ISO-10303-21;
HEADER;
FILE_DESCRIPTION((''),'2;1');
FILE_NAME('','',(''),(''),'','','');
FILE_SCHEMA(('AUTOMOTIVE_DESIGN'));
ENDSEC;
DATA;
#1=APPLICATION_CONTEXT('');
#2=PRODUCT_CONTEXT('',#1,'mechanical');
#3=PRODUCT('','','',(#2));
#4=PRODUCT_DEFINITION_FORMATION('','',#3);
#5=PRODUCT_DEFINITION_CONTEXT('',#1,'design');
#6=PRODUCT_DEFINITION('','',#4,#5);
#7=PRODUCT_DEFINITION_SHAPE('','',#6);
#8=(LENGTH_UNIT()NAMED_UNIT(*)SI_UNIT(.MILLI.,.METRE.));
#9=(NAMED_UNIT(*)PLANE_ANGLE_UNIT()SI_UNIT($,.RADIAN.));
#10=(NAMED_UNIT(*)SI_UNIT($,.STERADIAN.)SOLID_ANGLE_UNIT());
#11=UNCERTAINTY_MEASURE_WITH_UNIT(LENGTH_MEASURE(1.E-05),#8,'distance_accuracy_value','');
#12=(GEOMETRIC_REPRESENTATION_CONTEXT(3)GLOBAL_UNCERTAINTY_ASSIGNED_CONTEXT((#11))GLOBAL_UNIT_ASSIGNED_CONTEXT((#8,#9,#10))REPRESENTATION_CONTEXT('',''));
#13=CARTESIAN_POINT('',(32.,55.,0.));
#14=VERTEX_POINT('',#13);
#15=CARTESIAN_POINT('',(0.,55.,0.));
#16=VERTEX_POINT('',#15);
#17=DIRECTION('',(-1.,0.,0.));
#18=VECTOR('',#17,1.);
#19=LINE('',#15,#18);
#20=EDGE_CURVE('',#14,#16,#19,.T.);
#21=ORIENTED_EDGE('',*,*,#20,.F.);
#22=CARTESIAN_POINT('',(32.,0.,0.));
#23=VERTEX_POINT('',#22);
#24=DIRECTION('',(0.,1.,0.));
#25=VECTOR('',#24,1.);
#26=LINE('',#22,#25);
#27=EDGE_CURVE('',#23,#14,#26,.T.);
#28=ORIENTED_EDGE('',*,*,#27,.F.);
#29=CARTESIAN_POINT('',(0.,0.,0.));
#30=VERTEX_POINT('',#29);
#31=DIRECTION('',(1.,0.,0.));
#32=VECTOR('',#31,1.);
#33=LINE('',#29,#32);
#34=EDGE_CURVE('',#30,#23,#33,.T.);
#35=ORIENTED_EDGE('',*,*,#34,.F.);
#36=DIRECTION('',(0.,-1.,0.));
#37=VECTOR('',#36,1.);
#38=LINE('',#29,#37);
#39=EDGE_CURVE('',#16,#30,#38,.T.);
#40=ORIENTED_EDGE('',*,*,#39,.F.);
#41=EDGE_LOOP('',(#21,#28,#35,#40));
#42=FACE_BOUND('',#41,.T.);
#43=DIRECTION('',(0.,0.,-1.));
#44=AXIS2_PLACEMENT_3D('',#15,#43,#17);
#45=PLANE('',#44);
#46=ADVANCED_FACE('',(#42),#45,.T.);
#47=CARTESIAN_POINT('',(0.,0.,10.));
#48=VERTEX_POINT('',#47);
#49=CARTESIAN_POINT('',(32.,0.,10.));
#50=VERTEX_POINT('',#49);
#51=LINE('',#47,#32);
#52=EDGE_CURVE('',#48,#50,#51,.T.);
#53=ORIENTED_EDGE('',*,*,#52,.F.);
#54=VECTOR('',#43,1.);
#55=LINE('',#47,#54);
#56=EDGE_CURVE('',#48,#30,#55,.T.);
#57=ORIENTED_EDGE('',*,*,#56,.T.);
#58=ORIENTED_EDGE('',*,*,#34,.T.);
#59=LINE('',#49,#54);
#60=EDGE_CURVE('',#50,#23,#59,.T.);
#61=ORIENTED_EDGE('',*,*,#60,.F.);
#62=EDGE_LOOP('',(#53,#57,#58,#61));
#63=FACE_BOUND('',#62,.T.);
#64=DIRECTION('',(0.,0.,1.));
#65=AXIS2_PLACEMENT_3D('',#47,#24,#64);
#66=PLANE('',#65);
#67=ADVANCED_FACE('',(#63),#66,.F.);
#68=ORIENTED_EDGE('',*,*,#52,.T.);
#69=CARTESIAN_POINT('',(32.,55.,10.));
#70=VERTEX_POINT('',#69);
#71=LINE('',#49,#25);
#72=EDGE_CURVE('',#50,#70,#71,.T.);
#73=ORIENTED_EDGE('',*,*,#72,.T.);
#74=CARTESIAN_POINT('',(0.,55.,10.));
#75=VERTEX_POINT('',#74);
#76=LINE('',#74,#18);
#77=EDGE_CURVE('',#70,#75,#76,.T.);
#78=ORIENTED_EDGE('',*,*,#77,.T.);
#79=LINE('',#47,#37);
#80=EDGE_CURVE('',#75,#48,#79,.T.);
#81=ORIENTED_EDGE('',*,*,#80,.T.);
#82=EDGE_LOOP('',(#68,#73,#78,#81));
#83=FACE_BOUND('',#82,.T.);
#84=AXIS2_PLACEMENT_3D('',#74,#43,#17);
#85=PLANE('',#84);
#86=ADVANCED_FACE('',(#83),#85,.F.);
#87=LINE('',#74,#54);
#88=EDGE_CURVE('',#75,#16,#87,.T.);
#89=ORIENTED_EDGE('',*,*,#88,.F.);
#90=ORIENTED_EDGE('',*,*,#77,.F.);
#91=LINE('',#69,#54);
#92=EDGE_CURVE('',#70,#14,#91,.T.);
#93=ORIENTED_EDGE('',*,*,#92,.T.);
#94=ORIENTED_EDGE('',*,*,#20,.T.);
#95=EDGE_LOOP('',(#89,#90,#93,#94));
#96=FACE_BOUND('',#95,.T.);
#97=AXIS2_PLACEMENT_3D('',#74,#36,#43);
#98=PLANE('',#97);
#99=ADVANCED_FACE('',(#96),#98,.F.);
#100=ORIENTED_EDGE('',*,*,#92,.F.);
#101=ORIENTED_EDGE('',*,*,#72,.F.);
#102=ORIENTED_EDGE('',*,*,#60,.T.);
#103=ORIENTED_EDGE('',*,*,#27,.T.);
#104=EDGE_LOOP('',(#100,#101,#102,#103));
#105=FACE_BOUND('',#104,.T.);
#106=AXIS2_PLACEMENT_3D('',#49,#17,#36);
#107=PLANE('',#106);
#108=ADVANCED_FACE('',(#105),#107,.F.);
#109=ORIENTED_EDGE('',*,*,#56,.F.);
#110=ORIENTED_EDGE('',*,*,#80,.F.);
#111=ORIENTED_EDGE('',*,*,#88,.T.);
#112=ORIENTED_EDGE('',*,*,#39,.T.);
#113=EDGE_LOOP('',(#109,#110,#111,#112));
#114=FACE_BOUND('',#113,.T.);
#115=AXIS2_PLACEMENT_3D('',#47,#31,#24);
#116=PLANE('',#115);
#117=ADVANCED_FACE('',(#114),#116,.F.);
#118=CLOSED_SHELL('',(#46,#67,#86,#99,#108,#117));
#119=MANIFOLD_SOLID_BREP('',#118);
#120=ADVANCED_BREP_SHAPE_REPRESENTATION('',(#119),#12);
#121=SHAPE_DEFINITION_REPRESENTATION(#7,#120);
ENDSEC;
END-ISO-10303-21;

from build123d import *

# Parameters (mm, degrees)
ESQUISSE1_W      = 32
ESQUISSE1_H      = 55
EXTRUSION1_DEPTH = 10


with BuildPart() as part:
    # Esquisse1 → Extrusion1 (new body)
    with BuildSketch(Plane.XY):
        with Locations((16, 27.5)):
            Rectangle(ESQUISSE1_W, ESQUISSE1_H)
    extrude(amount=EXTRUSION1_DEPTH)


solid = part.part
